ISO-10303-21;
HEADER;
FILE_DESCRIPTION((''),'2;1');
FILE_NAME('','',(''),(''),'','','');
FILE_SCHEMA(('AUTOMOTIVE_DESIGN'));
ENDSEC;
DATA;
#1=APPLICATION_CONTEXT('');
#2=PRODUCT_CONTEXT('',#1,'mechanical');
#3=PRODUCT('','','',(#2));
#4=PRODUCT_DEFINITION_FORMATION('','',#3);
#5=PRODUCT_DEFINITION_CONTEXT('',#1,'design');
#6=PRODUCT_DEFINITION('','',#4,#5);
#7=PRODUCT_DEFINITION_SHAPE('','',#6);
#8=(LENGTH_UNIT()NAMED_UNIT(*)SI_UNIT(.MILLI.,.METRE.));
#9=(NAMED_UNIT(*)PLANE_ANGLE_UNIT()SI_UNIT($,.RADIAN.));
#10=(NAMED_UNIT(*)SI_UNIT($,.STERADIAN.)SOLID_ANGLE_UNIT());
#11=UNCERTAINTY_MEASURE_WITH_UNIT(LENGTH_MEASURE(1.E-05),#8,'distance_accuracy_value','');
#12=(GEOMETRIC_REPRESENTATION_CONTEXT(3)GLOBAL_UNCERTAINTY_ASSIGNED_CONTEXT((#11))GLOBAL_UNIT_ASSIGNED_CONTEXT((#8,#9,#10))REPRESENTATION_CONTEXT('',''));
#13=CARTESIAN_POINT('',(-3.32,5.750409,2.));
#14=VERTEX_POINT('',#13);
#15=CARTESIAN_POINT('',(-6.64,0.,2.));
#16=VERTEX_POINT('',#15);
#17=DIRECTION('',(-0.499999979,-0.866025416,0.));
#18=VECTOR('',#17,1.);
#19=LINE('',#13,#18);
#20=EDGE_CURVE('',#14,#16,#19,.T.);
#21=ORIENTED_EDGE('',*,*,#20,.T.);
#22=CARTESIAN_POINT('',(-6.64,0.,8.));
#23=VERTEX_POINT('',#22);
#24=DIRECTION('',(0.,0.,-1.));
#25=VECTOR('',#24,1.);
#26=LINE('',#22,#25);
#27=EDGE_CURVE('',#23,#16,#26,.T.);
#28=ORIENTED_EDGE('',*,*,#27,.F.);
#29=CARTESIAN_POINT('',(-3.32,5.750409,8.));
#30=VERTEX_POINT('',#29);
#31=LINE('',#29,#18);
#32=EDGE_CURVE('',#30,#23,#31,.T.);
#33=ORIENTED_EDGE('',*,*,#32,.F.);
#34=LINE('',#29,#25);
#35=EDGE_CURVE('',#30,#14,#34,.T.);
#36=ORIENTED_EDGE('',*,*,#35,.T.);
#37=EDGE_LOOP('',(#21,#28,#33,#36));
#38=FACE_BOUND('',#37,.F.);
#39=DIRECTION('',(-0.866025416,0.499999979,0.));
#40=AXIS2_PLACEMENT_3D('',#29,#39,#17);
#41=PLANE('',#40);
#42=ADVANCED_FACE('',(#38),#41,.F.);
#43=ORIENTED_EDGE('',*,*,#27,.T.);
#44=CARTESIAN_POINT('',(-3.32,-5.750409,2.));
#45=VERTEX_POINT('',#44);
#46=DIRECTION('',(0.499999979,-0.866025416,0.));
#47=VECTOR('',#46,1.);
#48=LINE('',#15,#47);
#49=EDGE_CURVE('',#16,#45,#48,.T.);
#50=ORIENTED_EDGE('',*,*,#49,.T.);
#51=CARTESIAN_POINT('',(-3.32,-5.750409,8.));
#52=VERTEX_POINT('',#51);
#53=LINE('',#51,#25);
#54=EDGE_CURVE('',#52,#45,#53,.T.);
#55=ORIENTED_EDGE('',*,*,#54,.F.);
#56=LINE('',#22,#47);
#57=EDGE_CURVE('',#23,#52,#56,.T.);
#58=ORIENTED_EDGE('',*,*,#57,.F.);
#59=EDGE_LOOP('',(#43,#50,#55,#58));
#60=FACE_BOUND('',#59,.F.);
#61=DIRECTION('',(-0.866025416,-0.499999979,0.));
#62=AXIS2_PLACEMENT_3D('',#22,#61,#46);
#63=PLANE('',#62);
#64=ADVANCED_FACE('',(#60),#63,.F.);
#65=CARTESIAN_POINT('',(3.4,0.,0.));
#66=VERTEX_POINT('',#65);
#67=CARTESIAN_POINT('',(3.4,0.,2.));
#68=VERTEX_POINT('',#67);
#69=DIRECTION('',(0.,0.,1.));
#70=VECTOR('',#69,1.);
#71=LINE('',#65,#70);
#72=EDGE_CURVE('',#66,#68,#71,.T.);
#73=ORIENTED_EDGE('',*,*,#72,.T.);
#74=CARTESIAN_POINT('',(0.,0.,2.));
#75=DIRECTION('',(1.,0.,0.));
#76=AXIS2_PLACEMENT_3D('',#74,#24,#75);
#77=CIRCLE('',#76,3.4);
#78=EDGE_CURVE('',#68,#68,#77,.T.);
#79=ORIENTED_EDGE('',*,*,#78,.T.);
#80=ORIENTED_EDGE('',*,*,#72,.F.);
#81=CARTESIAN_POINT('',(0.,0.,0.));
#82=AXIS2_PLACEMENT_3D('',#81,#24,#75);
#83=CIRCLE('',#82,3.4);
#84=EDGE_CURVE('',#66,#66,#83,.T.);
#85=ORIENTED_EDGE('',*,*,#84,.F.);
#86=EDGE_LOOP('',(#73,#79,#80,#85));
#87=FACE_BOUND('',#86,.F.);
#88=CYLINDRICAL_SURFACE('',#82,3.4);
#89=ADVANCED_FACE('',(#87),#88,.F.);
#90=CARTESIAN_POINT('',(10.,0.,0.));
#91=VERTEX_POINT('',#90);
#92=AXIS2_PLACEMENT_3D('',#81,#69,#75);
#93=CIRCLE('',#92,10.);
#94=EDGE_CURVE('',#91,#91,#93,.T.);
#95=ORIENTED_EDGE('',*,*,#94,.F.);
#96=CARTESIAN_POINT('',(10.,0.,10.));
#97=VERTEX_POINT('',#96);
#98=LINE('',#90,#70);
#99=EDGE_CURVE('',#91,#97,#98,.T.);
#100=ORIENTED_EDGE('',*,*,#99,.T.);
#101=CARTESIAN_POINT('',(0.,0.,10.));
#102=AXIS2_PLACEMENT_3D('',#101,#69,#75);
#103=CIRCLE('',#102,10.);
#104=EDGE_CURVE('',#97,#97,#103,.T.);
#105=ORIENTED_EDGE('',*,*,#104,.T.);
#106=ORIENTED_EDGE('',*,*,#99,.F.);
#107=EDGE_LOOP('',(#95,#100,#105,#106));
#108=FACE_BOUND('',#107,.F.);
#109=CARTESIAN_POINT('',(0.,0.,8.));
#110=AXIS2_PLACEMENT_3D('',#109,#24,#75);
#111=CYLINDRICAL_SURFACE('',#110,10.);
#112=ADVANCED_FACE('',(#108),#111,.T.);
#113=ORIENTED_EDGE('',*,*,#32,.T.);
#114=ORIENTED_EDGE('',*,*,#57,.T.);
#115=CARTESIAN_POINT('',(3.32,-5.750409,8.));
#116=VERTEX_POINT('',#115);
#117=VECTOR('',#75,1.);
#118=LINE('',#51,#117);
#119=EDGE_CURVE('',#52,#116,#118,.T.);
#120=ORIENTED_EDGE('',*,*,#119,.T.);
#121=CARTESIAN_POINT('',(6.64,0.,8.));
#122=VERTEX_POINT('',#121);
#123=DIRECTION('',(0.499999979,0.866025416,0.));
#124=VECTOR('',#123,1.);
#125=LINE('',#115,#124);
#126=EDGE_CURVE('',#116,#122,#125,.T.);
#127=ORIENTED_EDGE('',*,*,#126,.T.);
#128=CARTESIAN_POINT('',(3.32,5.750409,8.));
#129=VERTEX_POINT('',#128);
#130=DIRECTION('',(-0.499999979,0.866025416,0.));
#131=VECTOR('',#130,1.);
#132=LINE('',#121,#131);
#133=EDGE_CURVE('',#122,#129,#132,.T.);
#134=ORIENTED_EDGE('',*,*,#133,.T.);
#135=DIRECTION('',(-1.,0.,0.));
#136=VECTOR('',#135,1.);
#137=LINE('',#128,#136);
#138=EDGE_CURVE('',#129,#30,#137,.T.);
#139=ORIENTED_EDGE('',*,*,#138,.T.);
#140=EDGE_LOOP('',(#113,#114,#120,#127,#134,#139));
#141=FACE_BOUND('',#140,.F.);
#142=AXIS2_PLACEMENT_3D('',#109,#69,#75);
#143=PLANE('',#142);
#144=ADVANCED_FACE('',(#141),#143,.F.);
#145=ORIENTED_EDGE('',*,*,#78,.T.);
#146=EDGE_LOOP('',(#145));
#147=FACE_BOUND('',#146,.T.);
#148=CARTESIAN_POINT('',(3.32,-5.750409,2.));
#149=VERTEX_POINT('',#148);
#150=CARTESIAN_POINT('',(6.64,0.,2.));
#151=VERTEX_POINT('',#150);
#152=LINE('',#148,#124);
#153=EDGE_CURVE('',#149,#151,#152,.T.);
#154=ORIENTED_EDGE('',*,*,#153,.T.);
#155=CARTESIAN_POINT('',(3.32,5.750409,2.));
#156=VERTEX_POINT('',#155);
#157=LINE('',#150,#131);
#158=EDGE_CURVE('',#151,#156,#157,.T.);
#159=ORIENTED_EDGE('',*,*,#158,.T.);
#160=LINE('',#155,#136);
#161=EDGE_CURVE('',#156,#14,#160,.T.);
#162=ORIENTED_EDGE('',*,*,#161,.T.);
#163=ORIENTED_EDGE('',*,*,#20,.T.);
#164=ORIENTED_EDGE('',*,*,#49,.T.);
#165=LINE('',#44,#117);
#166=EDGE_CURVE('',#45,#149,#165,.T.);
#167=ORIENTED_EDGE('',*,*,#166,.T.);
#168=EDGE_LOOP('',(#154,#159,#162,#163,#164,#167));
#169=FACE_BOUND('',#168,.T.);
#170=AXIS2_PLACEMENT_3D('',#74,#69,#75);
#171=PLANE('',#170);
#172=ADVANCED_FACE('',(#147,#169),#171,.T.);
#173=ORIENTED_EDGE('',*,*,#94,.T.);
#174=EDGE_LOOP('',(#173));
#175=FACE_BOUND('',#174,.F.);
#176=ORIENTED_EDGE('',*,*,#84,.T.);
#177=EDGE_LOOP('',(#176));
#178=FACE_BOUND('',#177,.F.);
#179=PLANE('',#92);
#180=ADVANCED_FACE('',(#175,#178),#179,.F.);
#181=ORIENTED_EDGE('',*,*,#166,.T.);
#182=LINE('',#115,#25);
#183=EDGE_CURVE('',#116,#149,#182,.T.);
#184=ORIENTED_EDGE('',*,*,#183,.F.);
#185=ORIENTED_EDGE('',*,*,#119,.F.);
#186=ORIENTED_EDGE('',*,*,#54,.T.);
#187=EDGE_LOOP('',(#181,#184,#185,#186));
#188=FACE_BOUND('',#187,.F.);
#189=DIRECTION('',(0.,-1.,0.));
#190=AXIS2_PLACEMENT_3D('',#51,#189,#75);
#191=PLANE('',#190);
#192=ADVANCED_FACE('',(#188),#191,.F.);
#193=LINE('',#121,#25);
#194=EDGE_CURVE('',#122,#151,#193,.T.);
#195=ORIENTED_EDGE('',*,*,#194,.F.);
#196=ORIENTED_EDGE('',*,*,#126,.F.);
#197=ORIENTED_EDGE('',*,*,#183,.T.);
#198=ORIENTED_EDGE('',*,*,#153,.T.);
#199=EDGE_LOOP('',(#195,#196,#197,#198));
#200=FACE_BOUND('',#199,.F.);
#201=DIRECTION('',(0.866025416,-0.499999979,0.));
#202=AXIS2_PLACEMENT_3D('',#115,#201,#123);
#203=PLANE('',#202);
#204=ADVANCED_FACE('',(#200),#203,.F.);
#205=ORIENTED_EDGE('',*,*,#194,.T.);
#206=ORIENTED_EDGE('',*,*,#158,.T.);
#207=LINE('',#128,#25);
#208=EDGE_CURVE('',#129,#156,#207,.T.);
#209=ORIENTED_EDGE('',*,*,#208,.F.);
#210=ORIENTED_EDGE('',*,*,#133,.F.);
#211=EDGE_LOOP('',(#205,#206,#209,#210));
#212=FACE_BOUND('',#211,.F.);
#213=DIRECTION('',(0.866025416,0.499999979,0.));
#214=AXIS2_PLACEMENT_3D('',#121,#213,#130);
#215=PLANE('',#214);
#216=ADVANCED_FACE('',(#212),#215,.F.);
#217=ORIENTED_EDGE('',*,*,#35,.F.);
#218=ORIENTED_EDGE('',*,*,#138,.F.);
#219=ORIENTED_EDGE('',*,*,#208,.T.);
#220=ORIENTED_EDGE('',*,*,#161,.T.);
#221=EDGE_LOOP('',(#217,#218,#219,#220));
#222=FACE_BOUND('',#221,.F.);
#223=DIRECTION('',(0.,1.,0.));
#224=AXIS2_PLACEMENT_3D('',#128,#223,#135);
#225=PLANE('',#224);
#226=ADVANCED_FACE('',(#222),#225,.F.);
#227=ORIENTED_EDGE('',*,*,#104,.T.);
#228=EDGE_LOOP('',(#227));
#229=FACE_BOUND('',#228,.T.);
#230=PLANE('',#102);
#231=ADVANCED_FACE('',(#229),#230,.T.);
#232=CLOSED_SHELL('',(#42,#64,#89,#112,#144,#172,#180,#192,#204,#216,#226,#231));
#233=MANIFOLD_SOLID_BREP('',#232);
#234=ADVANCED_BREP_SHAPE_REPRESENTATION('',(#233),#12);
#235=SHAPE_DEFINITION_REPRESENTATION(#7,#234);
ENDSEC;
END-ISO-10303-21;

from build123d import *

# Parameters (mm, degrees)
CYLINDER_R      = 10
CYLINDER_DEPTH  = 8
POCKET_DEPTH    = 6
SKETCH001_R     = 10
PAD_DEPTH       = 2
SKETCH002_R     = 3.4
POCKET001_DEPTH = 2


with BuildPart() as part:
    # Cylinder → Cylinder (new body)
    with BuildSketch(Plane.XY):
        Circle(CYLINDER_R)
    extrude(amount=CYLINDER_DEPTH)

    # Sketch (on Face2 of BaseFeature) → Pocket (cut)
    with BuildSketch(Plane.XY.offset(8)):
        Polygon((3.32, -5.750409), (6.64, 0), (3.32, 5.750409), (-3.32, 5.750409), (-6.64, 0), (-3.32, -5.750409), align=None)
    extrude(amount=-POCKET_DEPTH, mode=Mode.SUBTRACT)

    # Sketch001 (on Face2 of Pocket) → Pad (join)
    with BuildSketch(Plane.XY.offset(8)):
        Circle(SKETCH001_R)
    extrude(amount=PAD_DEPTH)

    # Sketch002 (on Face3 of Pad) → Pocket001 (cut)
    with BuildSketch(Plane(origin=(0, 0, 0), x_dir=(1, 0, 0), z_dir=(0, 0, -1))):
        Circle(SKETCH002_R)
    extrude(amount=-POCKET001_DEPTH, mode=Mode.SUBTRACT)


solid = part.part
